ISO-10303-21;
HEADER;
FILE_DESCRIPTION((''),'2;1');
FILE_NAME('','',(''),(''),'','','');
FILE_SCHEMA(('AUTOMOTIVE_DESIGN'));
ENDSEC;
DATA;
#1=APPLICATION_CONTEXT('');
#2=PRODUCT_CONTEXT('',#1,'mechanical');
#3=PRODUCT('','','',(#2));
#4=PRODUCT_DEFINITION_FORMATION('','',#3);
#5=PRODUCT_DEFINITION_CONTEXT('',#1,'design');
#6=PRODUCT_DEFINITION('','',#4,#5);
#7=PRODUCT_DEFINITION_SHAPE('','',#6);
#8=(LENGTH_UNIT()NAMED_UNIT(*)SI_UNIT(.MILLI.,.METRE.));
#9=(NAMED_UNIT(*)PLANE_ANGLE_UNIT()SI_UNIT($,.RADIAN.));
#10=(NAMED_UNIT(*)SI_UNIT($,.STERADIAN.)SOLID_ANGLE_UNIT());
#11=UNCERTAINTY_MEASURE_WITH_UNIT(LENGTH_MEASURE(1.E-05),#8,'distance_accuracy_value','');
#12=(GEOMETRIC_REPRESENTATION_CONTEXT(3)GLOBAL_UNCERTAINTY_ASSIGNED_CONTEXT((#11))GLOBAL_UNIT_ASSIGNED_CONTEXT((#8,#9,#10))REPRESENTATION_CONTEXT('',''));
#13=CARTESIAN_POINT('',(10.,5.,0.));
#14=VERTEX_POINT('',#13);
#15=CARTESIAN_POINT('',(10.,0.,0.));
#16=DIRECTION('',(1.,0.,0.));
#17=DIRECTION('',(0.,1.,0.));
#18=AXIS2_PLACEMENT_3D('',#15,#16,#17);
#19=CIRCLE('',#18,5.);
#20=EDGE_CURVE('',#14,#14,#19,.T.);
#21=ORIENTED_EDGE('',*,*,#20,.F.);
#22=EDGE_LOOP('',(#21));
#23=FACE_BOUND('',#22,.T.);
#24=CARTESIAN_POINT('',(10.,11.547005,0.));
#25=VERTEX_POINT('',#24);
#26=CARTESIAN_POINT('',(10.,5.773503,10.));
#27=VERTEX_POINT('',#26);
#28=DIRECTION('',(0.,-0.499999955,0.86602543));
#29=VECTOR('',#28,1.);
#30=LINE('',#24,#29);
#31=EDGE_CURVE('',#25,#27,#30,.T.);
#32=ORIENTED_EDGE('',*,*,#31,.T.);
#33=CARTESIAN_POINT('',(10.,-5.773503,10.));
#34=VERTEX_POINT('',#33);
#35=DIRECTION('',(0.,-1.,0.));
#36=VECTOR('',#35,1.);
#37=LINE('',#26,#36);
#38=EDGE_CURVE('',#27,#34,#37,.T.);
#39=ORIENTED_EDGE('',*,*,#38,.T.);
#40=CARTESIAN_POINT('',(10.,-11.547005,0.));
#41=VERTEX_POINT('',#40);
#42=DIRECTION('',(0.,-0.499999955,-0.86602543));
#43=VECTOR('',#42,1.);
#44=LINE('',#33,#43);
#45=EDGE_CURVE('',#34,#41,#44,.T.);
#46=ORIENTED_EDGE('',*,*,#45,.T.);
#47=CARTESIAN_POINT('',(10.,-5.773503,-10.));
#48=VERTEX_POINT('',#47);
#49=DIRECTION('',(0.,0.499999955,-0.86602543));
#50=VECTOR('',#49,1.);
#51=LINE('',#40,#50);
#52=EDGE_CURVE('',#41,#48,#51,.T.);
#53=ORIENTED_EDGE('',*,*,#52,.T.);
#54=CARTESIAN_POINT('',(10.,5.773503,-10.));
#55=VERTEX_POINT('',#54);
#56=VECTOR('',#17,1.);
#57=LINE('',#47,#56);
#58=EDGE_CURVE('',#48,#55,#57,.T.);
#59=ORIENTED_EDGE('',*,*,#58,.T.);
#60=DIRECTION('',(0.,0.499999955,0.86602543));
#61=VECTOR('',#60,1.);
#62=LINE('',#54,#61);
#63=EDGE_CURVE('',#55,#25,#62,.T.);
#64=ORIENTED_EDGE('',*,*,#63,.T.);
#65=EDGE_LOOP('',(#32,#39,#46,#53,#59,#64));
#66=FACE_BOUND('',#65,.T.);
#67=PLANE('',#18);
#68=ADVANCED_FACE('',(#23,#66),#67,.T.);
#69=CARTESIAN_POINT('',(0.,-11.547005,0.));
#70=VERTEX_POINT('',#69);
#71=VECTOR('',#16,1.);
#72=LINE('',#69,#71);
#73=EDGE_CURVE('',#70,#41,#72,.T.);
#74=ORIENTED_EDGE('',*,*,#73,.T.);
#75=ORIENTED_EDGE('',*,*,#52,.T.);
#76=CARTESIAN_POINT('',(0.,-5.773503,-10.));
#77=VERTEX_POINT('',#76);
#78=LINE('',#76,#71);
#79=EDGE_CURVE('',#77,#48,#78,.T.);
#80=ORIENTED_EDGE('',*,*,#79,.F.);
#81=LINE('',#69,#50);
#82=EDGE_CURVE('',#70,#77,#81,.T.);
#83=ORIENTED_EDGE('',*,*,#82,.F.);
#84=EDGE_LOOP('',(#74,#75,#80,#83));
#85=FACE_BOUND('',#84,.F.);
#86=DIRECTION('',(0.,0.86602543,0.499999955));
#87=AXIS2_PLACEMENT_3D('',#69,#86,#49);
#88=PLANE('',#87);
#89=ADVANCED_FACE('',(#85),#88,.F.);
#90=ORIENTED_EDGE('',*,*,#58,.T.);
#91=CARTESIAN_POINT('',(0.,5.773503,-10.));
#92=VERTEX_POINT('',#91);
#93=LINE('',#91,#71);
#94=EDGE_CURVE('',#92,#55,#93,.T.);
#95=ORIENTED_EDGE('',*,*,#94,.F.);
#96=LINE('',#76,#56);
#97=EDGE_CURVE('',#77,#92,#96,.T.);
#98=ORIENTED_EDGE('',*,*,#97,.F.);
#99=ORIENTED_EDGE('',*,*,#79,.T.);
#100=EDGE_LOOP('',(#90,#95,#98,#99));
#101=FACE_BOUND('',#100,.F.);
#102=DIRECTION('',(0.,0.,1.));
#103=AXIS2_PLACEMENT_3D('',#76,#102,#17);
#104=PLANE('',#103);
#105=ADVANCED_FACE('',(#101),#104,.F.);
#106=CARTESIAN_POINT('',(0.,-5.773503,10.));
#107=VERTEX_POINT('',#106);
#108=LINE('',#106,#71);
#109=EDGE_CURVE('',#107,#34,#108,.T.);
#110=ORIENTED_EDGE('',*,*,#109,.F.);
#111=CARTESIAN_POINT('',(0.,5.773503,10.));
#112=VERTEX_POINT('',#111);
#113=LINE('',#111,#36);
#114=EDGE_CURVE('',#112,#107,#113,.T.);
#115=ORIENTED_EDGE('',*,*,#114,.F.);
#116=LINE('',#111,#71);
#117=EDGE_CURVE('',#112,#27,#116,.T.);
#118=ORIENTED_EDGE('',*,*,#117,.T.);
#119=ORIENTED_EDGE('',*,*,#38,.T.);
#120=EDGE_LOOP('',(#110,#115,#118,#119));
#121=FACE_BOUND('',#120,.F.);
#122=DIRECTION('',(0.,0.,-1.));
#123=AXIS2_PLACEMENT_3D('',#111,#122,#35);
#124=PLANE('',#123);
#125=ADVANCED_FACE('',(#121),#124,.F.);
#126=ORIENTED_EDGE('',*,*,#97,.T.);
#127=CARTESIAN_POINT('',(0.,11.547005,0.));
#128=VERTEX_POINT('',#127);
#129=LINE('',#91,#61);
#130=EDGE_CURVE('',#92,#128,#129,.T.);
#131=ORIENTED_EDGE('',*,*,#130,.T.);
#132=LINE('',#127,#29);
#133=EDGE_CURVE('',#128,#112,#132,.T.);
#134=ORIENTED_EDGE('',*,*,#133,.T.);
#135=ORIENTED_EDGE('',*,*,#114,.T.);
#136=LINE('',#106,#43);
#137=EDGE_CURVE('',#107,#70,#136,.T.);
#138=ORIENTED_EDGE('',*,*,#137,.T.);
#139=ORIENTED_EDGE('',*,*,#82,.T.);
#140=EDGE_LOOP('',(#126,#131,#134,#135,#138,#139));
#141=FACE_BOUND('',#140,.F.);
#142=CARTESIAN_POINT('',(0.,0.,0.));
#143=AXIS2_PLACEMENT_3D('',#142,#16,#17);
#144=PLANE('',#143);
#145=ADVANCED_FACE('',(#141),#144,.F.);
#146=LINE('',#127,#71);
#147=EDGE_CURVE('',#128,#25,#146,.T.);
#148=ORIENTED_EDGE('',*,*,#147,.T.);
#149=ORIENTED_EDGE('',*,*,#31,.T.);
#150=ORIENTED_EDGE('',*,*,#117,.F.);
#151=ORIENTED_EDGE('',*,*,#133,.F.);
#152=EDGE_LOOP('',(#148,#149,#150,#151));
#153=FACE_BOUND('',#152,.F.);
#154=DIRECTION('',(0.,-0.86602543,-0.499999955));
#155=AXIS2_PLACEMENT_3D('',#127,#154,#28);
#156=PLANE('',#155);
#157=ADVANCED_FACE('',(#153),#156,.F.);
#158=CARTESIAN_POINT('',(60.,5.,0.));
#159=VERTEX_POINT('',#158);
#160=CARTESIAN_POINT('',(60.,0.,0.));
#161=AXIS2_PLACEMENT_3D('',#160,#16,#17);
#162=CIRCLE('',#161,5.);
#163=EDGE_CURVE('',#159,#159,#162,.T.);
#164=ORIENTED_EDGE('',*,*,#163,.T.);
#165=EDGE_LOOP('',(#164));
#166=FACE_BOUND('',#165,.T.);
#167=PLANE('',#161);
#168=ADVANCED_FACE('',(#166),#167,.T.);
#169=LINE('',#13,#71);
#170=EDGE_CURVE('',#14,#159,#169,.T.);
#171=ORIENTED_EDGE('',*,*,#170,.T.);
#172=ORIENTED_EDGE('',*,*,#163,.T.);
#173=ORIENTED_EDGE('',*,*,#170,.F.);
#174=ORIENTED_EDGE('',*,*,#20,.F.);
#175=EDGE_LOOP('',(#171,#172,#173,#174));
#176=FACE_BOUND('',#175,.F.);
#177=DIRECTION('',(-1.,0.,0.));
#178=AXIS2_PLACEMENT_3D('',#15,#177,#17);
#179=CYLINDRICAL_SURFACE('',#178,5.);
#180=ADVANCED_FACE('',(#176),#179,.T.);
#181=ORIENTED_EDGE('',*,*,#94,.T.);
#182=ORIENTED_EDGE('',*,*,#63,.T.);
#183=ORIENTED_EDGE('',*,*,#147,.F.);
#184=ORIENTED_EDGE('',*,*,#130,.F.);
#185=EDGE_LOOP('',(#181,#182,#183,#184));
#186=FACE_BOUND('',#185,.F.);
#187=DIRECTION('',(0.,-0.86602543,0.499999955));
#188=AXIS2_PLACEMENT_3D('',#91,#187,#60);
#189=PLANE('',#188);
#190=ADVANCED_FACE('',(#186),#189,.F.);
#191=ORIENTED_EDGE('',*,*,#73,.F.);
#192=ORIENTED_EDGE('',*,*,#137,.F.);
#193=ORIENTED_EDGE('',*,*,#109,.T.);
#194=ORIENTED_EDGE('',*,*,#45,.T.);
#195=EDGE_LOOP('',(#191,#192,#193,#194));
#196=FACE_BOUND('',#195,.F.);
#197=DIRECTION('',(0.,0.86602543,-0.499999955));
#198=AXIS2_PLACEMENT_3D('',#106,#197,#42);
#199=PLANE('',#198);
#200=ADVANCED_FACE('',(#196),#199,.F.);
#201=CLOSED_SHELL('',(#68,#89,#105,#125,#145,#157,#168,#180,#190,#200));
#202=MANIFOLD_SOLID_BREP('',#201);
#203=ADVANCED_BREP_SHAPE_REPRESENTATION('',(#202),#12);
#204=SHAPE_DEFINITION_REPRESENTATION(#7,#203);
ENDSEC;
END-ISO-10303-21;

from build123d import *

# Parameters (mm, degrees)
F1_DEPTH = 10
F2_R     = 5
F3_DEPTH = 50


with BuildPart() as f1:
    # F0 (on Right) → F1 (new body)
    with BuildSketch(Plane.YZ):
        Polygon((5.773503, 10), (-5.773503, 10), (-11.547005, 0), (-5.773503, -10), (5.773503, -10), (11.547005, 0), align=None)
    extrude(amount=F1_DEPTH)

    # F2 (on face) → F3 (join)
    with BuildSketch(Plane.YZ.offset(10)):
        Circle(F2_R)
    extrude(amount=F3_DEPTH)


solid = f1.part
